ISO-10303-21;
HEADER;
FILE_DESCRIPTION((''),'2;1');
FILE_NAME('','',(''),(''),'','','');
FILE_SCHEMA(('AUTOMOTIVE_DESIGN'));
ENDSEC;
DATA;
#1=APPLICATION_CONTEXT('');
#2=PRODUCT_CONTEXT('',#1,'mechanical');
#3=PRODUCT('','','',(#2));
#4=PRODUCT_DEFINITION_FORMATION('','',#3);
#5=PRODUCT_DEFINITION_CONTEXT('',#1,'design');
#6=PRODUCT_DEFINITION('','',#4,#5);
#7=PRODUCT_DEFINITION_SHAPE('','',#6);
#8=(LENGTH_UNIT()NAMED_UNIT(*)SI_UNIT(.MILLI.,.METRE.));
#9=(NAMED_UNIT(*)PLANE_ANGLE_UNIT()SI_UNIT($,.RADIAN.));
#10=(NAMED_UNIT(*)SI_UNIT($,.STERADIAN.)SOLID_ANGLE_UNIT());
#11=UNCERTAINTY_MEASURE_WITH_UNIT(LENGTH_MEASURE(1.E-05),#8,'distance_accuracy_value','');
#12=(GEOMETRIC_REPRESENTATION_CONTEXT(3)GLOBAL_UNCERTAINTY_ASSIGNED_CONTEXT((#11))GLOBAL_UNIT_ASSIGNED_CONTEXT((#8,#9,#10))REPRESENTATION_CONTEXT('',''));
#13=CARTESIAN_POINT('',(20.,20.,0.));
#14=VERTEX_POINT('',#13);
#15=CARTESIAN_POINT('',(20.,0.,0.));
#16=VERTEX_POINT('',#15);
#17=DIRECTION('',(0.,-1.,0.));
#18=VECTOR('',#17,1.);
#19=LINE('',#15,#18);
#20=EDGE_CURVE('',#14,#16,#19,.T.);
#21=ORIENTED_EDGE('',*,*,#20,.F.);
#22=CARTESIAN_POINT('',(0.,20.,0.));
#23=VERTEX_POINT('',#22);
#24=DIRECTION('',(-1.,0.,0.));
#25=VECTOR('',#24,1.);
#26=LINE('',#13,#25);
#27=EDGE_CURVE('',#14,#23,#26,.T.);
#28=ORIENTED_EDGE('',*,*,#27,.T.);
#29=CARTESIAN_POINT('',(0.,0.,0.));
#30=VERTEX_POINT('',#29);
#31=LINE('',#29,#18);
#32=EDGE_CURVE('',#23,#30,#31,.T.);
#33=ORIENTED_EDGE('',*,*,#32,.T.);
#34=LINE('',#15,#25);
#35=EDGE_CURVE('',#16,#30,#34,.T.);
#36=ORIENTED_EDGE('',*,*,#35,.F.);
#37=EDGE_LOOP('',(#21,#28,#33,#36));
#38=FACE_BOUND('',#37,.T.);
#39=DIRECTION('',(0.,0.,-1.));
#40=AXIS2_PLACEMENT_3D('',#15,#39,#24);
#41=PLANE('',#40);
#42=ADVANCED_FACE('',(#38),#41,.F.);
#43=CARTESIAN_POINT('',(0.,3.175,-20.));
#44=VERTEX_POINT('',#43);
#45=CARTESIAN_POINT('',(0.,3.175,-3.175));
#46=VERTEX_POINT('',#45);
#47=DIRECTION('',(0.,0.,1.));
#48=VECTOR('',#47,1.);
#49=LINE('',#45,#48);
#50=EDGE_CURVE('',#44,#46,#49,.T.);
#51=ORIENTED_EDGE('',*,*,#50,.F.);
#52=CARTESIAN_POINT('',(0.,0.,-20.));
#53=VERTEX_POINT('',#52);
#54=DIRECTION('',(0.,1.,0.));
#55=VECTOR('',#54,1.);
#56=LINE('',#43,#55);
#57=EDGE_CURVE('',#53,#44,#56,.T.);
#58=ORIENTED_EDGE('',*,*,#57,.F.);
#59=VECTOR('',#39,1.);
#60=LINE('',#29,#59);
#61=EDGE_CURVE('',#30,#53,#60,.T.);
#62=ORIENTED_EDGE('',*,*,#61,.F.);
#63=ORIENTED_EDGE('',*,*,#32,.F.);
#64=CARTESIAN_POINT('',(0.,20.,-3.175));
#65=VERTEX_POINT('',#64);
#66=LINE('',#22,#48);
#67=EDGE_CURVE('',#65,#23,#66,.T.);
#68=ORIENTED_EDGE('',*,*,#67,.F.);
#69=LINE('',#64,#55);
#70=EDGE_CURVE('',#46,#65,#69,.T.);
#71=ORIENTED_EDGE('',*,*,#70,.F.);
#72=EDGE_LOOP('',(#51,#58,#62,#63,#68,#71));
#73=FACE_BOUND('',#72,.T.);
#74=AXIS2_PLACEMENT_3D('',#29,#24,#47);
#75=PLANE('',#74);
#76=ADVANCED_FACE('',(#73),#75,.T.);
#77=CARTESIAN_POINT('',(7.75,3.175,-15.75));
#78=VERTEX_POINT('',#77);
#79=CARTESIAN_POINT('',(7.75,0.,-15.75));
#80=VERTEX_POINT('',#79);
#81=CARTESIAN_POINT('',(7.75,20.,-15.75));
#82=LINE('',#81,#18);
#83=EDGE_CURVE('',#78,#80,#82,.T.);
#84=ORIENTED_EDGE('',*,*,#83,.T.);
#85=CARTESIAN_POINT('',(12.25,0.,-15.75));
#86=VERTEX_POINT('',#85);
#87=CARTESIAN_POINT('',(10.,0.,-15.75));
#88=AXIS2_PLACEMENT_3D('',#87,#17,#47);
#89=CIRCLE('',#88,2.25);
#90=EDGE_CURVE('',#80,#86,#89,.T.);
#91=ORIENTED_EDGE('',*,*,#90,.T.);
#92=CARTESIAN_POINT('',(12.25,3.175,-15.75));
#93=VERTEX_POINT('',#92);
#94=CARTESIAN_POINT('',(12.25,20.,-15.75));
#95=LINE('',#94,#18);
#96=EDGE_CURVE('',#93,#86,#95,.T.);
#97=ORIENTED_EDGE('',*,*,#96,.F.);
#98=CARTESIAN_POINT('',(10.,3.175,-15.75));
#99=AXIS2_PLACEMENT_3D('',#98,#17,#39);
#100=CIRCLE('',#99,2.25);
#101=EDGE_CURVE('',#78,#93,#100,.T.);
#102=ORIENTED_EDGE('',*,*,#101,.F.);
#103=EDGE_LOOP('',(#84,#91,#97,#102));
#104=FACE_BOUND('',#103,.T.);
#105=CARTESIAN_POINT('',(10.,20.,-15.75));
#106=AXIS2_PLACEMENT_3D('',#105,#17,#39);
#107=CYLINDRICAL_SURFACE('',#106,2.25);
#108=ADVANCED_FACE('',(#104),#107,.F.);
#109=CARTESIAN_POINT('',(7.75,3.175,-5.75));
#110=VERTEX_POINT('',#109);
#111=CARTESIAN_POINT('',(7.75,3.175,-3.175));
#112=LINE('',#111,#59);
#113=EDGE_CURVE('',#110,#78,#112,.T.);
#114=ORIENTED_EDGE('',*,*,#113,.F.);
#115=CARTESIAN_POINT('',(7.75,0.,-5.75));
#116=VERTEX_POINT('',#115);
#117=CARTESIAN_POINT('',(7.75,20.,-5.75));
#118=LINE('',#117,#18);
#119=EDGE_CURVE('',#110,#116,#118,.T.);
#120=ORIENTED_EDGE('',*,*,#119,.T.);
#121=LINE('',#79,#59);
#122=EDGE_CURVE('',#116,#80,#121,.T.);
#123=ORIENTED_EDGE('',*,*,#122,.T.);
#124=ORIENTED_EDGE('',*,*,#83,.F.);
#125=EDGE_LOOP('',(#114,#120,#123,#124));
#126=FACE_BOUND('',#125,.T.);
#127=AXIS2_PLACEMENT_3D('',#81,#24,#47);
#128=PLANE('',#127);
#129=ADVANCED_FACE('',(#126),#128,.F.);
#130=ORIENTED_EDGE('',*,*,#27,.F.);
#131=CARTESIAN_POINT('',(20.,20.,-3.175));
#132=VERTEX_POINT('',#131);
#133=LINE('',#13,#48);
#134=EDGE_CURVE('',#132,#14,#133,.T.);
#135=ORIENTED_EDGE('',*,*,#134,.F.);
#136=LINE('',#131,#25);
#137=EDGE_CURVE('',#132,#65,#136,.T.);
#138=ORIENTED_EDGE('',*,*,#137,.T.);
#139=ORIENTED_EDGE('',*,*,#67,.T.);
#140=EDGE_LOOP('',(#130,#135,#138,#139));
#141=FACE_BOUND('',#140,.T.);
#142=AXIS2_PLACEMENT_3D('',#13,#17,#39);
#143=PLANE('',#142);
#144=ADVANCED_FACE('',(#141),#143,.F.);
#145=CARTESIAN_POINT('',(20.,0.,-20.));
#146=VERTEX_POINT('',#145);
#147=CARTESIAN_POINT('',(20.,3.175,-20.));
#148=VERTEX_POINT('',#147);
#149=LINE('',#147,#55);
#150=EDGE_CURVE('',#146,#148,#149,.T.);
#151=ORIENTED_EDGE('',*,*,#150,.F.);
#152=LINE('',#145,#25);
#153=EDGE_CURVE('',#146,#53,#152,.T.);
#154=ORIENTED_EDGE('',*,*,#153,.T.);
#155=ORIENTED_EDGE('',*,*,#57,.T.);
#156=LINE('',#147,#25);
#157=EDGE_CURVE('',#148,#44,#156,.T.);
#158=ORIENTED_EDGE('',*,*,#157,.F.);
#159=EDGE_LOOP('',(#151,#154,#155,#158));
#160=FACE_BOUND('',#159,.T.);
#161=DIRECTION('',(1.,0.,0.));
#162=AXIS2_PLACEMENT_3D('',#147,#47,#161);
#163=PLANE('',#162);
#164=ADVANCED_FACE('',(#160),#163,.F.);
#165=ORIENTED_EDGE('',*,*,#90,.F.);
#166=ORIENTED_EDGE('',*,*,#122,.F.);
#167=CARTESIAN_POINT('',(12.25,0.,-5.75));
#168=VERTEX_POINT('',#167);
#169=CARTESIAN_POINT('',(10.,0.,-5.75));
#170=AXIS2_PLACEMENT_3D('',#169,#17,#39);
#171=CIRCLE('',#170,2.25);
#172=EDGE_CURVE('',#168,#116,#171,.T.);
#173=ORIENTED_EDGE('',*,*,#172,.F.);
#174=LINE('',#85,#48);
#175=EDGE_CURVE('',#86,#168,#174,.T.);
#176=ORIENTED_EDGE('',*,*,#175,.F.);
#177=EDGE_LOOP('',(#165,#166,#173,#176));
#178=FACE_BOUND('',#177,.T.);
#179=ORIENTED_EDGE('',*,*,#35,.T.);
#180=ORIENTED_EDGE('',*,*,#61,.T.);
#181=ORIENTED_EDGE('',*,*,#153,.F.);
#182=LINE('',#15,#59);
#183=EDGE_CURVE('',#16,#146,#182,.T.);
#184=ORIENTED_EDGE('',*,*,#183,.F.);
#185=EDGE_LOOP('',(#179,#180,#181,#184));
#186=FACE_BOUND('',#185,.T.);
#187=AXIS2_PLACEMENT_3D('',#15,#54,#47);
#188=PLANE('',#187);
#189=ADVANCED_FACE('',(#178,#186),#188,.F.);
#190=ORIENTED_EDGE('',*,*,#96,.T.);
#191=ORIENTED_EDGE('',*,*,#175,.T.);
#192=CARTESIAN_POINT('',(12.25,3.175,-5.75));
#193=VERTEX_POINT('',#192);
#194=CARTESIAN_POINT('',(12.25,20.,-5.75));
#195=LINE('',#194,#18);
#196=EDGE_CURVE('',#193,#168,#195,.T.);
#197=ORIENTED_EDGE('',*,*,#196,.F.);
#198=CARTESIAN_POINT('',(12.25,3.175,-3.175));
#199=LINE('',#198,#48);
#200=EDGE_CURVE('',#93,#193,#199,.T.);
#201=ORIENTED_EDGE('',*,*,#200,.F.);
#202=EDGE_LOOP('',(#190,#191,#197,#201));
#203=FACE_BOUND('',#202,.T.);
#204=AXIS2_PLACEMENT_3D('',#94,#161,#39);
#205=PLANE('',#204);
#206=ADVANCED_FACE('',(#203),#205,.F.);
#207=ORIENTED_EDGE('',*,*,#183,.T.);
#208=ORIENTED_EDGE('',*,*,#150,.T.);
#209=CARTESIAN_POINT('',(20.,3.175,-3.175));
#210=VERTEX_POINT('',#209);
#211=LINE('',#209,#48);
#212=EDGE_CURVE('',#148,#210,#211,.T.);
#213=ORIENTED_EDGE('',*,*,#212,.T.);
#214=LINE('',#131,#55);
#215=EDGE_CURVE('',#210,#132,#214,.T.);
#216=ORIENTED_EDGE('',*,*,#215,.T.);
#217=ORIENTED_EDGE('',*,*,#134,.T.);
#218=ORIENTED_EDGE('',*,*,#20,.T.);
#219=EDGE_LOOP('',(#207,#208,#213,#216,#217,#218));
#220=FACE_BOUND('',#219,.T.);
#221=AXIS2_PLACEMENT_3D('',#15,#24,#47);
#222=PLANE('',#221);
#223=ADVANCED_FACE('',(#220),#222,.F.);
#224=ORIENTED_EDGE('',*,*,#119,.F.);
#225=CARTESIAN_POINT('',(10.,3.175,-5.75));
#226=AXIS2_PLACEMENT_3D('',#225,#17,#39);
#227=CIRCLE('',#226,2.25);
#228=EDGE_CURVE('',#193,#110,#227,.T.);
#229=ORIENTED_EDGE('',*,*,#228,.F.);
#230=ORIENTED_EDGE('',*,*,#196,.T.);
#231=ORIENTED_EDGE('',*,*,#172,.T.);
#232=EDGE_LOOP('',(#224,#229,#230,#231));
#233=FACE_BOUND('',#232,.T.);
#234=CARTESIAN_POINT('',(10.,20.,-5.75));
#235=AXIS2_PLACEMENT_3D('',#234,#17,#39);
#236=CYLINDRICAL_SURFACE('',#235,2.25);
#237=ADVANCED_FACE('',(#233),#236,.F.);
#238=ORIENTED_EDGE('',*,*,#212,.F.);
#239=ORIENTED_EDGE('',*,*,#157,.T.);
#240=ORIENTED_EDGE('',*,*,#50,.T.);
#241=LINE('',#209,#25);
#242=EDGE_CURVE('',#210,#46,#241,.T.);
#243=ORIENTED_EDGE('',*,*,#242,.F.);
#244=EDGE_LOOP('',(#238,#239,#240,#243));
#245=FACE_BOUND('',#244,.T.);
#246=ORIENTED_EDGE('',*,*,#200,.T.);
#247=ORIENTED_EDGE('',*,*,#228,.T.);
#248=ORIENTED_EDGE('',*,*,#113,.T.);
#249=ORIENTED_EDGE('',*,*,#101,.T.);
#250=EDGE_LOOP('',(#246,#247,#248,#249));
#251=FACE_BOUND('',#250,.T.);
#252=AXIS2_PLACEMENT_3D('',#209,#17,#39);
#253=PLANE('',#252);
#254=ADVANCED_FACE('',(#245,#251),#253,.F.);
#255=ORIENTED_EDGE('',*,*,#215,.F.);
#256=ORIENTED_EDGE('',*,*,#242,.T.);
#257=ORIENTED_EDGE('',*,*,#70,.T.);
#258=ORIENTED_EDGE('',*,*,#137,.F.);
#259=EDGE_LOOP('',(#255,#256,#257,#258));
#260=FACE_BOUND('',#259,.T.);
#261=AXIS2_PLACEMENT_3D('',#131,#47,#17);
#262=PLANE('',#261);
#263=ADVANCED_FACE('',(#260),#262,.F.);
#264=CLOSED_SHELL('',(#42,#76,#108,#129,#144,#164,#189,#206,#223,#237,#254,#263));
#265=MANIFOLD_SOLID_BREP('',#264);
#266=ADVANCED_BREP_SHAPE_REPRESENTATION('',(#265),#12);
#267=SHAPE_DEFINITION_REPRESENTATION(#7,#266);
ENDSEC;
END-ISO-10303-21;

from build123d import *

# Parameters (mm, degrees)
BOSS_EXTRUDE1_DEPTH = 20
CUT_EXTRUDE1_DEPTH  = 21


with BuildPart() as part:
    # Sketch1 → Boss-Extrude1 (new body)
    with BuildSketch(Plane(origin=(0, 0, 0), x_dir=(0, 0, -1), z_dir=(1, 0, 0))):
        Polygon((0, 0), (0, 20), (3.175, 20), (3.175, 3.175), (20, 3.175), (20, 0), align=None)
    extrude(amount=BOSS_EXTRUDE1_DEPTH)

    # Sketch2 → Cut-Extrude1 (cut, through all)
    with BuildSketch(Plane(origin=(0, 0, 0), x_dir=(-1, 0, 0), z_dir=(0, -1, 0))):
        with BuildLine():
            Line((-7.75, 15.75), (-7.75, 5.75))
            ThreePointArc((-7.75, 5.75), (-10, 3.5), (-12.25, 5.75))
            Line((-12.25, 5.75), (-12.25, 15.75))
            ThreePointArc((-12.25, 15.75), (-10, 18), (-7.75, 15.75))
        make_face()
    extrude(amount=-CUT_EXTRUDE1_DEPTH, mode=Mode.SUBTRACT)


solid = part.part
